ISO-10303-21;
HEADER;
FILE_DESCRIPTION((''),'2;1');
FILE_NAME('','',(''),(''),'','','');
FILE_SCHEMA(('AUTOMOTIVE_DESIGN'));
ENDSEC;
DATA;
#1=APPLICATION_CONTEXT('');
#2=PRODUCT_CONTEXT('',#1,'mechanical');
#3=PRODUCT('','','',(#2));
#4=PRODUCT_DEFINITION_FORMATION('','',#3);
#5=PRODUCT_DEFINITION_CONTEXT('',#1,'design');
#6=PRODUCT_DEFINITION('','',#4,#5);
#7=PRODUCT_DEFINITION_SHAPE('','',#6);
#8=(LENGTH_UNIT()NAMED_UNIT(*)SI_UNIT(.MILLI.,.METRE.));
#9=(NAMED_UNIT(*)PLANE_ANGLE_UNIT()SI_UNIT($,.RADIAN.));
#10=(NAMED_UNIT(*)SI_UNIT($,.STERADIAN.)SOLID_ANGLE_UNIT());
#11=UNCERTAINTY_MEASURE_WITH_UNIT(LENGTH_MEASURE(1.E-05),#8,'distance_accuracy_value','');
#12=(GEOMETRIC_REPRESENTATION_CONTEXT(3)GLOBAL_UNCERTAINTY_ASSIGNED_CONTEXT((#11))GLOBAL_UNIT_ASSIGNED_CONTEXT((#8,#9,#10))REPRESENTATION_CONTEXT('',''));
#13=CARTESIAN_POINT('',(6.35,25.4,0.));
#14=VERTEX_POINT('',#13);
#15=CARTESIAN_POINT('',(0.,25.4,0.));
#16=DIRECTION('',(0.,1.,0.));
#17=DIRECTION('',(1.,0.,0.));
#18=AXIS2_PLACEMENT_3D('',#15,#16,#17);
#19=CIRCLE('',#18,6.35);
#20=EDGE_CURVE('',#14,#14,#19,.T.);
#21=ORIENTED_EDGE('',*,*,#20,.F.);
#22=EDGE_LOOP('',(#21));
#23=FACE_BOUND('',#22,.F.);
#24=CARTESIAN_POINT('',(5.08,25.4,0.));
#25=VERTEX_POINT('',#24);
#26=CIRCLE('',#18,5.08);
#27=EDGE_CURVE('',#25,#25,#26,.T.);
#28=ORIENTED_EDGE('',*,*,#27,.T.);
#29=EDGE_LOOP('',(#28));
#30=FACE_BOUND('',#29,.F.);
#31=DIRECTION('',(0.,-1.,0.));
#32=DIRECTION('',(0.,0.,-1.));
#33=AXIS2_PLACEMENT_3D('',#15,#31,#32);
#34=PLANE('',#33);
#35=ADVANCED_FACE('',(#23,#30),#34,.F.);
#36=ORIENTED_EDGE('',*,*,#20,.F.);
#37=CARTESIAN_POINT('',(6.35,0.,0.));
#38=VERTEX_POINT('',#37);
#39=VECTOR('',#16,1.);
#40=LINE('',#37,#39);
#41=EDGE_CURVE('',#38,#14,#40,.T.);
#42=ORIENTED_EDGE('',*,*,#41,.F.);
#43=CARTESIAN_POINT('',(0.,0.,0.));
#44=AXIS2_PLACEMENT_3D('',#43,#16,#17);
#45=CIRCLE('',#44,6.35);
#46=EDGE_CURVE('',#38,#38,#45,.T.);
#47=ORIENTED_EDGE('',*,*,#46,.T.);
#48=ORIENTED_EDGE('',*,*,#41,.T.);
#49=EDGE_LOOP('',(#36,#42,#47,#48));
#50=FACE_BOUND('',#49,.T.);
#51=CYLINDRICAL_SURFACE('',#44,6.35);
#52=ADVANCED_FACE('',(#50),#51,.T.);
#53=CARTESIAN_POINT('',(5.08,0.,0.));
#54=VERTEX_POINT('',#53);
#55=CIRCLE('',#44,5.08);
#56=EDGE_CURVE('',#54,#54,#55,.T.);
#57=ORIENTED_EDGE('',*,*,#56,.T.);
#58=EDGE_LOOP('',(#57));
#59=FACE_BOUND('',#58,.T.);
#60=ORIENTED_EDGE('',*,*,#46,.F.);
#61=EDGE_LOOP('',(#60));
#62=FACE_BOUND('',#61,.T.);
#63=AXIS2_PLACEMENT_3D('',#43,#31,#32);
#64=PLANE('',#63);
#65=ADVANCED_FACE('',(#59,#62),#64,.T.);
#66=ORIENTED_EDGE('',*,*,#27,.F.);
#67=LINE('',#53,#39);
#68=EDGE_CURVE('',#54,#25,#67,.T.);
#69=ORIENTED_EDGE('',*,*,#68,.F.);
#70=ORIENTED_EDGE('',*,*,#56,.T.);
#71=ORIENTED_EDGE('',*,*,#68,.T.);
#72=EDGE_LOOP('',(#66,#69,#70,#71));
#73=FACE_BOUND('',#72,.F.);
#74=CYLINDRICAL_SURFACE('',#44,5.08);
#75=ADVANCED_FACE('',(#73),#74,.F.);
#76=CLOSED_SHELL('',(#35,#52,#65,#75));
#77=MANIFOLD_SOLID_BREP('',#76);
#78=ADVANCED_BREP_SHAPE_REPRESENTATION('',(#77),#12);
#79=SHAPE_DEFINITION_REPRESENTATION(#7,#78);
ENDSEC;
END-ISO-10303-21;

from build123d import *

# Parameters (mm, degrees)
F0_R   = 6.35
F0_R_2 = 5.08


with BuildPart() as f2:
    # F2: sweep along a path in F1
    with BuildLine(Plane.YZ) as f2_path:
        Line((0, 0), (25.4, 0))
    # F0 (on Front) → F2 (sweep)
    with BuildSketch(Plane.XZ):
        Circle(F0_R)
        Circle(F0_R_2, mode=Mode.SUBTRACT)
    sweep(path=f2_path.line)


solid = f2.part
